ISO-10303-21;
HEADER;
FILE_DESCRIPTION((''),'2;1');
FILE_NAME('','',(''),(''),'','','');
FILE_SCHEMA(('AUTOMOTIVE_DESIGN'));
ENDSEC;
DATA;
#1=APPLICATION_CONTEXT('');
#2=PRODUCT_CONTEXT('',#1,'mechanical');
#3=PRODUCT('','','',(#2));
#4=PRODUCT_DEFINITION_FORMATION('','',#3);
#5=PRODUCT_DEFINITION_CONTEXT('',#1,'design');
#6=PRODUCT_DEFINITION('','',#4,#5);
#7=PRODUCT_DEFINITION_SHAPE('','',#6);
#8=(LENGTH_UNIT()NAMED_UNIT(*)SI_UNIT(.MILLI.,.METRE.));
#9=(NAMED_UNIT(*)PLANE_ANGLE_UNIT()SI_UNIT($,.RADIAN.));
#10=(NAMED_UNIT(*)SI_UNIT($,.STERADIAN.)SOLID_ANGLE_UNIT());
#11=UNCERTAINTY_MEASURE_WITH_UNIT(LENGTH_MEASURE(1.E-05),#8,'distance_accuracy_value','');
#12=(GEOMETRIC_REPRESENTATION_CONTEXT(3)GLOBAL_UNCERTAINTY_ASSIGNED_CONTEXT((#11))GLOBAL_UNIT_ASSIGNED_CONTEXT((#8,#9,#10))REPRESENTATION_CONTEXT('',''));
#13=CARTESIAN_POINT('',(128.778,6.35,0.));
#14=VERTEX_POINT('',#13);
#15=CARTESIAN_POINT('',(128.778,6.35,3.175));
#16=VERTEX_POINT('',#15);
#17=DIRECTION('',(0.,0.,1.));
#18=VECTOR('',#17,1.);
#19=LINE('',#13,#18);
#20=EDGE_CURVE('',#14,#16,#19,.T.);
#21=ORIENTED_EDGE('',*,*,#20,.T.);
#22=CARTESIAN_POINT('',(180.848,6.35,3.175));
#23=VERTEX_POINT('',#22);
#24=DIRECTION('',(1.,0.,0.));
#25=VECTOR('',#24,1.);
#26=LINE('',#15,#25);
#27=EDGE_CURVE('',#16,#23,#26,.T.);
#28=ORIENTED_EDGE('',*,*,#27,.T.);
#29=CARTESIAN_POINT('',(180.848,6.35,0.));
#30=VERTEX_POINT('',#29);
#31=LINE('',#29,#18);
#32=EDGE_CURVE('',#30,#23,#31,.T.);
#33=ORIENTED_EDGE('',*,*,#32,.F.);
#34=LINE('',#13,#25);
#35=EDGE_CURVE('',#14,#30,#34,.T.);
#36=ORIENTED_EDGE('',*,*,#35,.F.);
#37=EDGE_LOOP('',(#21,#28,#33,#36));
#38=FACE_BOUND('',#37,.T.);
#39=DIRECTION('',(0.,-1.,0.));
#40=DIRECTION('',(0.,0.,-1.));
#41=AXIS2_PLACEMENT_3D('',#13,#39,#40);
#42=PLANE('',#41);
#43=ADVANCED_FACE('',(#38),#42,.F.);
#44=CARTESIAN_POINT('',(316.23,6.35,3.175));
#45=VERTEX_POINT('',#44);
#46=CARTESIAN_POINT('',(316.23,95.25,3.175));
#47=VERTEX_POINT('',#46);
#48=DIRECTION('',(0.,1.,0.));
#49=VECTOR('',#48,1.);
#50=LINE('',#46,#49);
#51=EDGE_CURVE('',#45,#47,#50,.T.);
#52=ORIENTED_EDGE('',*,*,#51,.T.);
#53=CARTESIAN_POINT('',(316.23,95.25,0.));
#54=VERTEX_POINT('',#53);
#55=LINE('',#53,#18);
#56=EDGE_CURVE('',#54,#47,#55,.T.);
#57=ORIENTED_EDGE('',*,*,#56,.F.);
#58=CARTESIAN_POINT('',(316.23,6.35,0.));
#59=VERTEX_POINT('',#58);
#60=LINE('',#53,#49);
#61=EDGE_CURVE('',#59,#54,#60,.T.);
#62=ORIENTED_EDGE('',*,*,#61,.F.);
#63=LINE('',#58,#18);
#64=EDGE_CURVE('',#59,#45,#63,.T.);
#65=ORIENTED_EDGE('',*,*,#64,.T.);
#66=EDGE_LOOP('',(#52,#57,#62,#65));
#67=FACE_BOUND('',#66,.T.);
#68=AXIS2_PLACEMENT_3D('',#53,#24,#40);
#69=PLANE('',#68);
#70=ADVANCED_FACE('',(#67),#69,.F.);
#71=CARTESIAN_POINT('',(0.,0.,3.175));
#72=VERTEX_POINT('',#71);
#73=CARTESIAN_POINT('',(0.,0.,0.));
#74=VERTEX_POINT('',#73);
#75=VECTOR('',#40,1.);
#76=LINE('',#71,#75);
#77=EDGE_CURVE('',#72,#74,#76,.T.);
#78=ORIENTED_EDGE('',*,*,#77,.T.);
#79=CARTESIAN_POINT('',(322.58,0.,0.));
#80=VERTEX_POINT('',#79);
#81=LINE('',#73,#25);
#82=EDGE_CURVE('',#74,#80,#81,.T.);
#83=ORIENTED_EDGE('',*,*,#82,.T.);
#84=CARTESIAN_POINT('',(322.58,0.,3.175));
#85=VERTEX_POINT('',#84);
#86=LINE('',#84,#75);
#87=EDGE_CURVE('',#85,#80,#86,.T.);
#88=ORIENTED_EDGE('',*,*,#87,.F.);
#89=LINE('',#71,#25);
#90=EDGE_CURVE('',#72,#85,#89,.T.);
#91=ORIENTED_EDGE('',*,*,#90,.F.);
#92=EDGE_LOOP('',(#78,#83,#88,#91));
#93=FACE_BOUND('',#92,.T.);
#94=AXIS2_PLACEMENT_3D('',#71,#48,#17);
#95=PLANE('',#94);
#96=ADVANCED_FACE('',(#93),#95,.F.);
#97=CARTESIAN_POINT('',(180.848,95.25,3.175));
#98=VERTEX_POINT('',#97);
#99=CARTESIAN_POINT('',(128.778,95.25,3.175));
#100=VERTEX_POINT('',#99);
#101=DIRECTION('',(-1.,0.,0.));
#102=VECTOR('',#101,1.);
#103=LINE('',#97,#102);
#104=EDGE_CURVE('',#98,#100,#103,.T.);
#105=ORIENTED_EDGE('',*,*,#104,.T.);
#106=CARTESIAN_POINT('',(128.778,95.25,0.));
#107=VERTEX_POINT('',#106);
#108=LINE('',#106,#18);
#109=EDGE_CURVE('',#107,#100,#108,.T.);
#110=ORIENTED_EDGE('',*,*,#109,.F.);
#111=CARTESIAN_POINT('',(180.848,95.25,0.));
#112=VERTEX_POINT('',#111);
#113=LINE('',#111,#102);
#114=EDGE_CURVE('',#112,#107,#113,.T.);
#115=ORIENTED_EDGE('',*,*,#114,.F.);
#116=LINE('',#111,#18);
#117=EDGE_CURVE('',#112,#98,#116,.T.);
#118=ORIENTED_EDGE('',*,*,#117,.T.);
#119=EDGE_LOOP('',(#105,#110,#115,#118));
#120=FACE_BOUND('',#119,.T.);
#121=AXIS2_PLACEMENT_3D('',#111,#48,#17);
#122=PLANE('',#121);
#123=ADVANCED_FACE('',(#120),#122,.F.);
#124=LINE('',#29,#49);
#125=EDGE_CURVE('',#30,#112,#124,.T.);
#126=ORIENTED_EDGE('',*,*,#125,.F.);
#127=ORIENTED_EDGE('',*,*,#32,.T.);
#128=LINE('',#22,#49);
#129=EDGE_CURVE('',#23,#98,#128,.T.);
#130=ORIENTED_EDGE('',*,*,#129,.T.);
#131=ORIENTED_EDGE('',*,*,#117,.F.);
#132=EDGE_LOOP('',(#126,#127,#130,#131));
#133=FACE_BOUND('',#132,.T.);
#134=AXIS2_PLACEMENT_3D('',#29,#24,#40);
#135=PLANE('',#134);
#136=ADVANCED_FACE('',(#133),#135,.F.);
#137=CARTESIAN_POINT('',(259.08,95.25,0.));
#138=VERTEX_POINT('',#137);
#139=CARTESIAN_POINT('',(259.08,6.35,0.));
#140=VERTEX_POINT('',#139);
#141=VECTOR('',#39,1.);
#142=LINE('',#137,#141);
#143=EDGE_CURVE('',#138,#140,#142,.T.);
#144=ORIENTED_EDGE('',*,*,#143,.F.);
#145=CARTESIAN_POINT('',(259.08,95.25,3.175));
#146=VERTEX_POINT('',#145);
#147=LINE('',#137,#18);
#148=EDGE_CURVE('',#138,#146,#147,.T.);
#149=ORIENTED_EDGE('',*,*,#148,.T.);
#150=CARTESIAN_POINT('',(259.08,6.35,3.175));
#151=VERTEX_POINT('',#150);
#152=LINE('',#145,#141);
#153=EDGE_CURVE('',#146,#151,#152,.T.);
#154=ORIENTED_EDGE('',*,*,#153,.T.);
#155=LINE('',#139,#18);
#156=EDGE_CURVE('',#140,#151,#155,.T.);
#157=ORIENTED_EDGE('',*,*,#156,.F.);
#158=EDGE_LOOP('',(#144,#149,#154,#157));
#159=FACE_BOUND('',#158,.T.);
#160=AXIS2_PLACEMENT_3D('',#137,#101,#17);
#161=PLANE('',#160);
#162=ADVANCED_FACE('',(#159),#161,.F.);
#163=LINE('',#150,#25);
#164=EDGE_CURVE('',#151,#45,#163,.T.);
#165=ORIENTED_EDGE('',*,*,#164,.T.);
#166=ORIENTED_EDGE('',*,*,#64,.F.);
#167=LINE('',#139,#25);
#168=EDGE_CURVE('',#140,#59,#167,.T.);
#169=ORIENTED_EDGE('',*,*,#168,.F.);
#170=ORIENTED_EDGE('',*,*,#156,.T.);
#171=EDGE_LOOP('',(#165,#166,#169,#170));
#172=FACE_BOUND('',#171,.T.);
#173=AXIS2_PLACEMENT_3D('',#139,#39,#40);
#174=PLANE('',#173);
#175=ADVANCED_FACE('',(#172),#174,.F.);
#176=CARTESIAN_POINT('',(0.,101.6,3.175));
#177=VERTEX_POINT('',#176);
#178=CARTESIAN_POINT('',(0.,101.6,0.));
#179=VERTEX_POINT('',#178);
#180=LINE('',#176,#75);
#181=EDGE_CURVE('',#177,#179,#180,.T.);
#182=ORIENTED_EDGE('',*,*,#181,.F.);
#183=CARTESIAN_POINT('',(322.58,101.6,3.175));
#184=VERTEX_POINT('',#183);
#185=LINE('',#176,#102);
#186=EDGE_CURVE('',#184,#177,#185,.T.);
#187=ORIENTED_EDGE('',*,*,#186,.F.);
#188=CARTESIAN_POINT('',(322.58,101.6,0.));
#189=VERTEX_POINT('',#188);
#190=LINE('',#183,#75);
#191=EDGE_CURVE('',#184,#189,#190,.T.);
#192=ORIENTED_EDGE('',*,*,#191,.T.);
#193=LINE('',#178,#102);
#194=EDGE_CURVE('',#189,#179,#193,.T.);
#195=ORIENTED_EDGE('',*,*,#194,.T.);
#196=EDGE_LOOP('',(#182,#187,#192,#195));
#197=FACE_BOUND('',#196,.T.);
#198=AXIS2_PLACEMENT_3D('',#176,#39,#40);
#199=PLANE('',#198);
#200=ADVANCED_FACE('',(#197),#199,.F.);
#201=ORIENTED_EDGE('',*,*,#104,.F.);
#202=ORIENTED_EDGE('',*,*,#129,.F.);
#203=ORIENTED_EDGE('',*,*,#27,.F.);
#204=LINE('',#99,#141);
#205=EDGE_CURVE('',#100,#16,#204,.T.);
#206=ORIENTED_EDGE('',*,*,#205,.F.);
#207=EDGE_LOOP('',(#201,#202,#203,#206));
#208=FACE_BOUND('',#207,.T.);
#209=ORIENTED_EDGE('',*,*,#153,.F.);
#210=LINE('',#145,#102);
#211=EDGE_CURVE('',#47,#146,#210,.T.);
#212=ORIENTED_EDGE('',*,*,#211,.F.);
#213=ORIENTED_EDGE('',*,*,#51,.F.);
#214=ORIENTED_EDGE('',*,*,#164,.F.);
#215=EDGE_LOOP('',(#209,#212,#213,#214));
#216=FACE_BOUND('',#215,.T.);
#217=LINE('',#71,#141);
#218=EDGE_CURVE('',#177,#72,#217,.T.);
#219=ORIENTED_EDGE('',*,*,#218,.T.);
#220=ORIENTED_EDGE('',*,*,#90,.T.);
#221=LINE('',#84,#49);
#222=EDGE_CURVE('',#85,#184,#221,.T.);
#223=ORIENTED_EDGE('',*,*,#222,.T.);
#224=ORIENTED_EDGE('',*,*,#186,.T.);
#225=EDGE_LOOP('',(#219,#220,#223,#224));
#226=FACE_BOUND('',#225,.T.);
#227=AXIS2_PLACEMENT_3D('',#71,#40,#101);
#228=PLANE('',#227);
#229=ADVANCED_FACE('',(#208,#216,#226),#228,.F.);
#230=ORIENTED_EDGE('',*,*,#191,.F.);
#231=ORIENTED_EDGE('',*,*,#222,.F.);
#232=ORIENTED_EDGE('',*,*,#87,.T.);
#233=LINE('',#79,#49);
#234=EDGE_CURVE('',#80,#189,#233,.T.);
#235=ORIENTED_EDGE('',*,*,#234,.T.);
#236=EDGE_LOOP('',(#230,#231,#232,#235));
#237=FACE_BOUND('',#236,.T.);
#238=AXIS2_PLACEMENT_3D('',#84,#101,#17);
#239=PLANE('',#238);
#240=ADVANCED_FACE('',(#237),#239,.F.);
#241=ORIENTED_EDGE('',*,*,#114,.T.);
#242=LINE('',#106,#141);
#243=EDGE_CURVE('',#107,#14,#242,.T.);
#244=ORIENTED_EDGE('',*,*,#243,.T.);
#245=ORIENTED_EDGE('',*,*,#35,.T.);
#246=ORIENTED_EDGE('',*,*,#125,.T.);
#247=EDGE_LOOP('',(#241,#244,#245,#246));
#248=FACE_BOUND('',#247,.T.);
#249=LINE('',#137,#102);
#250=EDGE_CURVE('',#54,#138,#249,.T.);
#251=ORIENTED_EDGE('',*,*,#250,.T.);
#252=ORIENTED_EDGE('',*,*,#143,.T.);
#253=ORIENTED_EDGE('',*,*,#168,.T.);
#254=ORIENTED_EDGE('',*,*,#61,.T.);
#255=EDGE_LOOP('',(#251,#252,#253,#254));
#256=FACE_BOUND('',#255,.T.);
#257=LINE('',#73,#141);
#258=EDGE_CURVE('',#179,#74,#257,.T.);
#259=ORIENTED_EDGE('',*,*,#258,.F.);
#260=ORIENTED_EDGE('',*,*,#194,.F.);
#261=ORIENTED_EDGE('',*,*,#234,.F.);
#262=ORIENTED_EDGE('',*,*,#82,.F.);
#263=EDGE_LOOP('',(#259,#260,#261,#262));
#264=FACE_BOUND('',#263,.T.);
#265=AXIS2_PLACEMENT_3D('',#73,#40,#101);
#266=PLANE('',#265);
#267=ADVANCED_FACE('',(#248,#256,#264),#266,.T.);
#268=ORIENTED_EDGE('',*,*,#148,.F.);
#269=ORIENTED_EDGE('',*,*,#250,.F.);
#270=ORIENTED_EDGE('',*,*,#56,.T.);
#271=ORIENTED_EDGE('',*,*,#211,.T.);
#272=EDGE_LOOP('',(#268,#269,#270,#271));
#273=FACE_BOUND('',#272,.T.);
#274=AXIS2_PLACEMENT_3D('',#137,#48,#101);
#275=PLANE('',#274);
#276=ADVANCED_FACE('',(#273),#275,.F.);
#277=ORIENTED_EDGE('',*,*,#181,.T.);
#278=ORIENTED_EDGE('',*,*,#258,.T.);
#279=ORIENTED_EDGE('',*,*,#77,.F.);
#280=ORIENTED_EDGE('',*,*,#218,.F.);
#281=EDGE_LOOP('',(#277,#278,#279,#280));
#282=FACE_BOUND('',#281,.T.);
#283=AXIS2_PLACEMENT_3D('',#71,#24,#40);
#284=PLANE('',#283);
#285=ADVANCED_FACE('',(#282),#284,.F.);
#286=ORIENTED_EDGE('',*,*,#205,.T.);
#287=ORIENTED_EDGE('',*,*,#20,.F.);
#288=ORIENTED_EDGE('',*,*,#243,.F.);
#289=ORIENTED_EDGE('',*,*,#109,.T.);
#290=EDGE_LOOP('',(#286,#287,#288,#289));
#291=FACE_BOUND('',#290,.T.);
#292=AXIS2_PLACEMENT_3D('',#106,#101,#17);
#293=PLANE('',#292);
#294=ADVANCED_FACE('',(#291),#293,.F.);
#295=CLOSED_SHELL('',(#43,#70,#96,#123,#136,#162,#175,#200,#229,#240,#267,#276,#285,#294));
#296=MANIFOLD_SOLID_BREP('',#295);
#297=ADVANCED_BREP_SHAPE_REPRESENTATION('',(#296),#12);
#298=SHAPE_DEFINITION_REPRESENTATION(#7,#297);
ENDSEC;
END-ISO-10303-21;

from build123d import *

# Parameters (mm, degrees)
SKETCH1_W           = 322.58
SKETCH1_H           = 101.6
BOSS_EXTRUDE1_DEPTH = 3.175
SKETCH4_W           = 52.07
SKETCH4_H           = 88.9
SKETCH4_W_2         = 57.15
CUT_EXTRUDE1_DEPTH  = 4.175


with BuildPart() as part:
    # Sketch1 → Boss-Extrude1 (new body)
    with BuildSketch(Plane.XY):
        with Locations((161.29, 50.8)):
            Rectangle(SKETCH1_W, SKETCH1_H)
    extrude(amount=BOSS_EXTRUDE1_DEPTH)

    # Sketch4 → Cut-Extrude1 (cut, through all)
    with BuildSketch(Plane.XY.offset(3.175)):
        with Locations((154.813, 50.8)):
            Rectangle(SKETCH4_W, SKETCH4_H)
        with Locations((287.655, 50.8)):
            Rectangle(SKETCH4_W_2, SKETCH4_H)
    extrude(amount=-CUT_EXTRUDE1_DEPTH, mode=Mode.SUBTRACT)


solid = part.part
